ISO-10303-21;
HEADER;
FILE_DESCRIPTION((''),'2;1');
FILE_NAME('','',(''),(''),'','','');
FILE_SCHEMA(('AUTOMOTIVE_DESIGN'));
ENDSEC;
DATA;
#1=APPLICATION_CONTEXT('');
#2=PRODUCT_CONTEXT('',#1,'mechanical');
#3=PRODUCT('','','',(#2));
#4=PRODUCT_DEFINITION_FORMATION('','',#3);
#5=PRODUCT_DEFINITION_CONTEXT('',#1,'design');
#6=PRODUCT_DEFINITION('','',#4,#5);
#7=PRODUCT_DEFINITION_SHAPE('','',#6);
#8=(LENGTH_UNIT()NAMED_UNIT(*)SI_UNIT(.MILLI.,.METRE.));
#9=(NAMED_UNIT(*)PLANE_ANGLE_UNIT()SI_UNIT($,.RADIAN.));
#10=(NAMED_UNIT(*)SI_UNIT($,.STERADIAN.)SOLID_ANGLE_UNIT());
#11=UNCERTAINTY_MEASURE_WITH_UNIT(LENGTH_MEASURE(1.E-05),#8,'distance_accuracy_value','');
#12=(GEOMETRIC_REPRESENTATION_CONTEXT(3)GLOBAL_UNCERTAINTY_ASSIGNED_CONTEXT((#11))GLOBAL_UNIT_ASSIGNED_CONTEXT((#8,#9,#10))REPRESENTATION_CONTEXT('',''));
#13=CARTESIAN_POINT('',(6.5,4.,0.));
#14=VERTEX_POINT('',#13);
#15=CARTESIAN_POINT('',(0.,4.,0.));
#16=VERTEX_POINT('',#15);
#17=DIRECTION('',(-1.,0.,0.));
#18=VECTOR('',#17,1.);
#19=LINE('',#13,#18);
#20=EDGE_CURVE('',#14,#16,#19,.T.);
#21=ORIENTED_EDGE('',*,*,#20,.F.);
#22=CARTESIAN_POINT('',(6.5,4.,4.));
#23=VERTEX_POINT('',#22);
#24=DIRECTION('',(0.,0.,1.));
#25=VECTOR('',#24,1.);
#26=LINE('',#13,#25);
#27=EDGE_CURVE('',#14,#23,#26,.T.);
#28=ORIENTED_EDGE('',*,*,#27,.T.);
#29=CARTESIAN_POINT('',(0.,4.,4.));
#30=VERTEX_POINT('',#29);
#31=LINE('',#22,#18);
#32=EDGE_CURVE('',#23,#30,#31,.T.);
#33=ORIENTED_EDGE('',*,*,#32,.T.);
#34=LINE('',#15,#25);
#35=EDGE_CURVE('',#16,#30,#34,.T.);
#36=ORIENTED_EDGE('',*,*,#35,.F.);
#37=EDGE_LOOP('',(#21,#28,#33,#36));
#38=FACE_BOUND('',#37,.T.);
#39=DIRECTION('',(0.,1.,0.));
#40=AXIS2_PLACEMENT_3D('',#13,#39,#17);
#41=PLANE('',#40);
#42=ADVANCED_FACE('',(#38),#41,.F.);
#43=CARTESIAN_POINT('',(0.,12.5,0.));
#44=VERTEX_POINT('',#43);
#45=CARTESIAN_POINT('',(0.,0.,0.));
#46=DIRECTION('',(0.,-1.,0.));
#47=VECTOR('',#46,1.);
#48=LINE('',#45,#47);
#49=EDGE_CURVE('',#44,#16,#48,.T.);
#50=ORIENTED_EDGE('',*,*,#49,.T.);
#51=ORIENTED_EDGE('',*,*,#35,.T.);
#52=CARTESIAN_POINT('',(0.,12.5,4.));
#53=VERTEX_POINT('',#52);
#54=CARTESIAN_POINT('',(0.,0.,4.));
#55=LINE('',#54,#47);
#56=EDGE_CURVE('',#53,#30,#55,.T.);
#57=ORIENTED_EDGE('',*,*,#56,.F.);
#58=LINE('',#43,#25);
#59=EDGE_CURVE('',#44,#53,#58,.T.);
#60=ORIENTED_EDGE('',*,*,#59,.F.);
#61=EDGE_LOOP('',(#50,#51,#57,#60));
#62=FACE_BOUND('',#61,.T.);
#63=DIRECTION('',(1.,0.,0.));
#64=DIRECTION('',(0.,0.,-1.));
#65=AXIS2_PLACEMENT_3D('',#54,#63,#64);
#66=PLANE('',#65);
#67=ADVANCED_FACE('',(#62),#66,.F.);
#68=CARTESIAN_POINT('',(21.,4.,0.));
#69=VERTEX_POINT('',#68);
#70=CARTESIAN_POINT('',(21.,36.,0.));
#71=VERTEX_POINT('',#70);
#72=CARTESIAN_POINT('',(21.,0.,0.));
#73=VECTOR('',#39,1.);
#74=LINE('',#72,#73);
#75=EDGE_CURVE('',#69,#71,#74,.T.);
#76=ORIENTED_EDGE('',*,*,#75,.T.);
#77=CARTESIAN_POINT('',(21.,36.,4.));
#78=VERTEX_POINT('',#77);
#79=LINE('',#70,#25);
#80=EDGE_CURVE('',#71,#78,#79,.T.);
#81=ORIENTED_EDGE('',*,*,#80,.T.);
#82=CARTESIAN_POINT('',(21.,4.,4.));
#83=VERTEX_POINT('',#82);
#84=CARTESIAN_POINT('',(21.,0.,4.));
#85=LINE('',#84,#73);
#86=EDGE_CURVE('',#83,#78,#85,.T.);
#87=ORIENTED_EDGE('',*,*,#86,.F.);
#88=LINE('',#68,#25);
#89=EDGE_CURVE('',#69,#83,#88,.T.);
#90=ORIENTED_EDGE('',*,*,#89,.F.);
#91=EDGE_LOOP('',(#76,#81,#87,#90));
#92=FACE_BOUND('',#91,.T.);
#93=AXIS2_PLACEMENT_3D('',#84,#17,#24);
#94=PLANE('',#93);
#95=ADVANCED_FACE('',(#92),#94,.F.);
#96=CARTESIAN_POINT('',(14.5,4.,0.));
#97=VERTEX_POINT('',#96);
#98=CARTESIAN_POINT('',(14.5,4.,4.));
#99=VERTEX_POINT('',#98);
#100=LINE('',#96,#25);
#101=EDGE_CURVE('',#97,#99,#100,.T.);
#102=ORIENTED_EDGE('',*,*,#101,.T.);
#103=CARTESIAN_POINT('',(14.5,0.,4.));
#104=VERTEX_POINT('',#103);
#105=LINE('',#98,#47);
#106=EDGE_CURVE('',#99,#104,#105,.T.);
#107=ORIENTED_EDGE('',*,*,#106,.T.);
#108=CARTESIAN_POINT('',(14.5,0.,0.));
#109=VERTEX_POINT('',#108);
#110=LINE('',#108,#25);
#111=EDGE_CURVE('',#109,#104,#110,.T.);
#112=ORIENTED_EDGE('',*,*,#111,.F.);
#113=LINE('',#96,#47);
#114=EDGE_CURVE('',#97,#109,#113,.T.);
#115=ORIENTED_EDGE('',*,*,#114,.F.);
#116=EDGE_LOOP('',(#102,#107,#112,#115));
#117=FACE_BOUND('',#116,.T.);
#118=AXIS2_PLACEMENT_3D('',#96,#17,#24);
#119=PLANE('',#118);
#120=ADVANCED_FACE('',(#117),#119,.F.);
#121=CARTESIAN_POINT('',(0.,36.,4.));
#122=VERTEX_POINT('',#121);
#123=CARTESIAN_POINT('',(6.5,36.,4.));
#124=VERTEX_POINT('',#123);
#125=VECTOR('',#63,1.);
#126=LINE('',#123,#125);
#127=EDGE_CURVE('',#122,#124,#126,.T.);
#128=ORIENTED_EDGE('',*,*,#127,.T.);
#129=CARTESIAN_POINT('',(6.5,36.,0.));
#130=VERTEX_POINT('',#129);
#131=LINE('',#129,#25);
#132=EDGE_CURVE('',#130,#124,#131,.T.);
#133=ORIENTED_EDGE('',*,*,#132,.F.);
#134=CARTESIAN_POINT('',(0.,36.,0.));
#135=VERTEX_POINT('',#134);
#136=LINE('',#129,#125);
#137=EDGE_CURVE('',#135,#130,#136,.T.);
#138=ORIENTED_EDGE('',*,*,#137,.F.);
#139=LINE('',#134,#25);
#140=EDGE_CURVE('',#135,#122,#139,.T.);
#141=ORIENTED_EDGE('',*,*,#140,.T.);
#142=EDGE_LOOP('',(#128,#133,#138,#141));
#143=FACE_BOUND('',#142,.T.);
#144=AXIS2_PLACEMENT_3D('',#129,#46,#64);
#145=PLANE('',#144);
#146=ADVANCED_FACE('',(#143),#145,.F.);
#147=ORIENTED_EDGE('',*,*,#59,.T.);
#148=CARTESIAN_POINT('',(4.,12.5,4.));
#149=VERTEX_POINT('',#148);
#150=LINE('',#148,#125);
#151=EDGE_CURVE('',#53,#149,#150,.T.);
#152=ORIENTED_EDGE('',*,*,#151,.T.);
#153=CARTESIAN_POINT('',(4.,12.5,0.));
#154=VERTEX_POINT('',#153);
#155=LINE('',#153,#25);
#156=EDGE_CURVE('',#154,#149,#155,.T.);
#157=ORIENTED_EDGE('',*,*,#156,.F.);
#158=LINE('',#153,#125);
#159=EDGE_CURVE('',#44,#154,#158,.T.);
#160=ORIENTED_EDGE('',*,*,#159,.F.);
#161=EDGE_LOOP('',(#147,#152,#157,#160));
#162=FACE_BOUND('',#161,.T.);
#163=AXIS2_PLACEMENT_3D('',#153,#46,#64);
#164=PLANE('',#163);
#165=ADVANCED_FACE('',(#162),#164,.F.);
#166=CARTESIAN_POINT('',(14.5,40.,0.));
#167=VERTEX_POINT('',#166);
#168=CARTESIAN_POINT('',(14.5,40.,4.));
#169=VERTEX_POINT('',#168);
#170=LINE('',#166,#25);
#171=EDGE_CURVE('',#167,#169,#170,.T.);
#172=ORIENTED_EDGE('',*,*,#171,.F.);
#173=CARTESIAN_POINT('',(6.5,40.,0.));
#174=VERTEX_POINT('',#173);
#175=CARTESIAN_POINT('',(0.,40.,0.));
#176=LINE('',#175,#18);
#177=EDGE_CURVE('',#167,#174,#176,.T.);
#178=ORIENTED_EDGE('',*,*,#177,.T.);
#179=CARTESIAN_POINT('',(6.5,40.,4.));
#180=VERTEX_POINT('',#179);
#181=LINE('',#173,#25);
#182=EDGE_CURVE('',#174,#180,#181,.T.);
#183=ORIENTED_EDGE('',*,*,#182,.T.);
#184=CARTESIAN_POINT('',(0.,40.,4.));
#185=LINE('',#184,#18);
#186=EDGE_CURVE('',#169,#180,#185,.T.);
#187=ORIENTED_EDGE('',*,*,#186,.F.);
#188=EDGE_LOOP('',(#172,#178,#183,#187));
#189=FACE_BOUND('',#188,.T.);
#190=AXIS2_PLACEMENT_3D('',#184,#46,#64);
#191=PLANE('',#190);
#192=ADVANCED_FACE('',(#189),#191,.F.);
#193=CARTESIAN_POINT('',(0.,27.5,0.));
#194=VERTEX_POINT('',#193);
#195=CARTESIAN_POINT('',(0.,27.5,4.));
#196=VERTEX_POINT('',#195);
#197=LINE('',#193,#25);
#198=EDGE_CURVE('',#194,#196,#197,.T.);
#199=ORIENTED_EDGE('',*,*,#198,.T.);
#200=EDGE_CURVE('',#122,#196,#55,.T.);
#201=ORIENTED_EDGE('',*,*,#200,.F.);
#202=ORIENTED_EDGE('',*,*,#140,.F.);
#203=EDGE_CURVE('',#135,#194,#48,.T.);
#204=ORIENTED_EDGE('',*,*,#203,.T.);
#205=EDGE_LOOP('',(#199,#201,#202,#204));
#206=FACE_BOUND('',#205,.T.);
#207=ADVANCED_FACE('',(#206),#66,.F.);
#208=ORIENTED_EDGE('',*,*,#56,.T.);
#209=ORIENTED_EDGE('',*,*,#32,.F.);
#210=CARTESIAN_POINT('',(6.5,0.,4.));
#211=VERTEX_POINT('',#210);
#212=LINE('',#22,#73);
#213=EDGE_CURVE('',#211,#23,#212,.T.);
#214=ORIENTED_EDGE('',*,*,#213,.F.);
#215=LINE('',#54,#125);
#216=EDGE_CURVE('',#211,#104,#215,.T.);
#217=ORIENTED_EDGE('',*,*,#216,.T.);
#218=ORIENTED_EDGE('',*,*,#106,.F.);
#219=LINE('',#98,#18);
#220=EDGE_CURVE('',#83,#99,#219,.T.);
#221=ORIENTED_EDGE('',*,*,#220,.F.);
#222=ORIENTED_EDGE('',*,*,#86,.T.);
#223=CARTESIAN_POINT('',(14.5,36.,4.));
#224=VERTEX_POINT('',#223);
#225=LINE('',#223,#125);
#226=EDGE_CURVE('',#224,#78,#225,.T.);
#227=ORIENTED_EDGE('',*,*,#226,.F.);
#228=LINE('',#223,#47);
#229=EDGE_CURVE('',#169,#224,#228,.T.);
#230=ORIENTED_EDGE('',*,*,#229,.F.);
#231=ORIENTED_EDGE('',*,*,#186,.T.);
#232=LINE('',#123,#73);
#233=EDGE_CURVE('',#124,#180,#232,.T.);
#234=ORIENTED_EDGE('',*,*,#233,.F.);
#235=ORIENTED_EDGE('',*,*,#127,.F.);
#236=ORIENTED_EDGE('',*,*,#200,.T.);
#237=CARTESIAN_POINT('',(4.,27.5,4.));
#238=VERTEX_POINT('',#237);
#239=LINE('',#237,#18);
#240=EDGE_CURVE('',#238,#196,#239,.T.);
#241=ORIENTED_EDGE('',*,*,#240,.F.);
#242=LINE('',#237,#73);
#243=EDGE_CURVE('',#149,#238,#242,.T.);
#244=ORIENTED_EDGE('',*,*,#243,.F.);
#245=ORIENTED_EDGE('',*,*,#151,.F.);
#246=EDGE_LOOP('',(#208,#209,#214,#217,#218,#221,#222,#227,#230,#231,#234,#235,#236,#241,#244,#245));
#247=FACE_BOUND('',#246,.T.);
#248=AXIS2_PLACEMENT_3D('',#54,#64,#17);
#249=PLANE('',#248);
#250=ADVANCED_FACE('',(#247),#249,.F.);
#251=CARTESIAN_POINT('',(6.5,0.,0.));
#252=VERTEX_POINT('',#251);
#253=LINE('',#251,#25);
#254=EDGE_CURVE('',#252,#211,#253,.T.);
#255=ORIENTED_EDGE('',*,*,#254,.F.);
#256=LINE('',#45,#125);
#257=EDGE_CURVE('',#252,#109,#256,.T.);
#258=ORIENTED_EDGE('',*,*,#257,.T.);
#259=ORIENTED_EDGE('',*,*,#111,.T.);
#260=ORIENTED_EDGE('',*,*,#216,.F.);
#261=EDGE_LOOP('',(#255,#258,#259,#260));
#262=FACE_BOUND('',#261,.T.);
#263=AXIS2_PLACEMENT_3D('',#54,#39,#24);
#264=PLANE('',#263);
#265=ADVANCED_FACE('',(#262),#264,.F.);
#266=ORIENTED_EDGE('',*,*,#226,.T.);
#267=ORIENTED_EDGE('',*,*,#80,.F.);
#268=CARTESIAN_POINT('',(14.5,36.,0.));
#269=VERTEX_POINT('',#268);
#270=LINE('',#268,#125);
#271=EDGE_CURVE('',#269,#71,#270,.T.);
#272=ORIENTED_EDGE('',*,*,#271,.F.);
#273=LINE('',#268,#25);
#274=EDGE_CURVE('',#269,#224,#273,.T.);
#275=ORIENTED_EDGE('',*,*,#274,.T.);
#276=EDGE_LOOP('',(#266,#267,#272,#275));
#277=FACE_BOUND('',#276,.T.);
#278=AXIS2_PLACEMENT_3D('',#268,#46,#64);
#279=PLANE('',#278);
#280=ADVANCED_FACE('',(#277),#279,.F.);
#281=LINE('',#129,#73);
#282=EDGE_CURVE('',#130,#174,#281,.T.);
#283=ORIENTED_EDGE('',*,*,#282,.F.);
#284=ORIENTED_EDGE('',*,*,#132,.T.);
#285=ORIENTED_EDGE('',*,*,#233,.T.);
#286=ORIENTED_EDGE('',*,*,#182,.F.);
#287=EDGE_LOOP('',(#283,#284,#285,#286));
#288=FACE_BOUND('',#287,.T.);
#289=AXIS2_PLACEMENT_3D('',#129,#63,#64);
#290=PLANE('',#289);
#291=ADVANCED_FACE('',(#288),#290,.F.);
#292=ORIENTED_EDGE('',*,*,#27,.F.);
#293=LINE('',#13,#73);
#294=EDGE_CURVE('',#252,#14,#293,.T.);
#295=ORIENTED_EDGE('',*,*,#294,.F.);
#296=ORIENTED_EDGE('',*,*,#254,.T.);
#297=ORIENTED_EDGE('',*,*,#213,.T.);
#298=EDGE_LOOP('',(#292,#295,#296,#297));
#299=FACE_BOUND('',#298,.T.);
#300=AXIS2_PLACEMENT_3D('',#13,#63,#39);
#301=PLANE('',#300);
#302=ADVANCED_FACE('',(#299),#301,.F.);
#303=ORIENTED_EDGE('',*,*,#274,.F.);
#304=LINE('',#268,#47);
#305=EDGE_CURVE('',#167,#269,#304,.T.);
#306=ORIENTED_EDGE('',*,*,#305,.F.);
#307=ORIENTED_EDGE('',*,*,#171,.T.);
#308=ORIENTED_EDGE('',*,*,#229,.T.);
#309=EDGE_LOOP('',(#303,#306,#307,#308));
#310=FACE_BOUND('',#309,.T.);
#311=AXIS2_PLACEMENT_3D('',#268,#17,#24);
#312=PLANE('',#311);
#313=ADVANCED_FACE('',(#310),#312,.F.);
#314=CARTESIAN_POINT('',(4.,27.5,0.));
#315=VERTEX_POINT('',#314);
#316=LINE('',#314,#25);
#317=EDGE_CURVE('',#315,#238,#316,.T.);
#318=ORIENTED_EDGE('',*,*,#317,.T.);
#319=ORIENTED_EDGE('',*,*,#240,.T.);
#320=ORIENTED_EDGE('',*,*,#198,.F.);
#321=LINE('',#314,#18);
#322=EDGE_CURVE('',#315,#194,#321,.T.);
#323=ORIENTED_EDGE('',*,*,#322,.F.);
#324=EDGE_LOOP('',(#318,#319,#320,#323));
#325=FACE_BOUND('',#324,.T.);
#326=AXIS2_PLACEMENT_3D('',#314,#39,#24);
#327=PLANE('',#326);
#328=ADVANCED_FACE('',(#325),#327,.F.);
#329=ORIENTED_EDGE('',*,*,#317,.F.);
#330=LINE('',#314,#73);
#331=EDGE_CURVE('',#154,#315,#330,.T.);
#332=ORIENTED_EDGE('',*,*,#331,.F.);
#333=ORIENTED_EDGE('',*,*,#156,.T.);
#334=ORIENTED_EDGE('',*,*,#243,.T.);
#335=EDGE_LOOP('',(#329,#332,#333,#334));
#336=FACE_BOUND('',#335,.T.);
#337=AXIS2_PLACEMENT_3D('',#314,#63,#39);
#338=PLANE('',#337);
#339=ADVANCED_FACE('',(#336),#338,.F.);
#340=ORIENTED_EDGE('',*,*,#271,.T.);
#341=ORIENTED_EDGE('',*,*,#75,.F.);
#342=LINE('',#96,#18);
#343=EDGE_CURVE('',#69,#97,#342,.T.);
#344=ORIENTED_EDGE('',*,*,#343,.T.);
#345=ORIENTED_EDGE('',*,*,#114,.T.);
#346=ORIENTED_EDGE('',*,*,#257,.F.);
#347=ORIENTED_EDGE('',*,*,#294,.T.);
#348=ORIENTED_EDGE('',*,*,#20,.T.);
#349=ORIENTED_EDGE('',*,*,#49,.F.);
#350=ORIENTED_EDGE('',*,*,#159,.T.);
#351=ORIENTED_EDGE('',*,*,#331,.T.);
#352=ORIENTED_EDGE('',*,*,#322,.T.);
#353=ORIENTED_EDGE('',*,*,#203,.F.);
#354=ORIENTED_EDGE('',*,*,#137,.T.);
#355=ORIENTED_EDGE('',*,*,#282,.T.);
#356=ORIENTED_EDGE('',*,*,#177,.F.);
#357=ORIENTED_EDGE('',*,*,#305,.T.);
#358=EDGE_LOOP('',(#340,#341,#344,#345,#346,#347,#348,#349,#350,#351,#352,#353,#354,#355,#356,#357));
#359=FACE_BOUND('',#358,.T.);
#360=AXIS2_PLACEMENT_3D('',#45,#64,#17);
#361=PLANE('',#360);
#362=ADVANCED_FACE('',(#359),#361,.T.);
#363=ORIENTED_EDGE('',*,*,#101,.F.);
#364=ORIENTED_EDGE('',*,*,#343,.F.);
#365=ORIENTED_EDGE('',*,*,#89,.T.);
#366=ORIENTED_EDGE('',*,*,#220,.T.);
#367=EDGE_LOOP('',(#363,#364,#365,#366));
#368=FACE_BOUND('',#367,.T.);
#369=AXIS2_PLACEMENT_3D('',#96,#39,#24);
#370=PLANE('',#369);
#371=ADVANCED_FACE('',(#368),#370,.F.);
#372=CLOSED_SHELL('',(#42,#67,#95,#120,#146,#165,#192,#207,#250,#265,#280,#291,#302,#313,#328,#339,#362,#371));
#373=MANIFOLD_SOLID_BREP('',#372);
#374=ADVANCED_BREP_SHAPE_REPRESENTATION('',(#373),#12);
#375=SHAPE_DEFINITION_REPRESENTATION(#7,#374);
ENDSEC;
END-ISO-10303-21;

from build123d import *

# Parameters (mm, degrees)
SKETCH_1_W          = 21
SKETCH_1_H          = 40
EXTRUDE_1_DEPTH     = 4
SKETCH_2_W          = 6.5
SKETCH_2_H          = 4
SKETCH_2_W_2        = 4
SKETCH_2_H_2        = 15
CUT_EXTRUDE_1_DEPTH = 4


with BuildPart() as part:
    # Эскиз1 → Бобышка-Вытянуть1 (new body)
    with BuildSketch(Plane.XY):
        with Locations((10.5, 20)):
            Rectangle(SKETCH_1_W, SKETCH_1_H)
    extrude(amount=EXTRUDE_1_DEPTH)

    # Эскиз2 → Вырез-Вытянуть1 (cut)
    with BuildSketch(Plane.XY.offset(4)):
        with Locations((17.75, 38)):
            Rectangle(SKETCH_2_W, SKETCH_2_H)
        with Locations((3.25, 38)):
            Rectangle(SKETCH_2_W, SKETCH_2_H)
        with Locations((17.75, 2)):
            Rectangle(SKETCH_2_W, SKETCH_2_H)
        with Locations((3.25, 2)):
            Rectangle(SKETCH_2_W, SKETCH_2_H)
        with Locations((2, 20)):
            Rectangle(SKETCH_2_W_2, SKETCH_2_H_2)
    extrude(amount=-CUT_EXTRUDE_1_DEPTH, mode=Mode.SUBTRACT)


solid = part.part
